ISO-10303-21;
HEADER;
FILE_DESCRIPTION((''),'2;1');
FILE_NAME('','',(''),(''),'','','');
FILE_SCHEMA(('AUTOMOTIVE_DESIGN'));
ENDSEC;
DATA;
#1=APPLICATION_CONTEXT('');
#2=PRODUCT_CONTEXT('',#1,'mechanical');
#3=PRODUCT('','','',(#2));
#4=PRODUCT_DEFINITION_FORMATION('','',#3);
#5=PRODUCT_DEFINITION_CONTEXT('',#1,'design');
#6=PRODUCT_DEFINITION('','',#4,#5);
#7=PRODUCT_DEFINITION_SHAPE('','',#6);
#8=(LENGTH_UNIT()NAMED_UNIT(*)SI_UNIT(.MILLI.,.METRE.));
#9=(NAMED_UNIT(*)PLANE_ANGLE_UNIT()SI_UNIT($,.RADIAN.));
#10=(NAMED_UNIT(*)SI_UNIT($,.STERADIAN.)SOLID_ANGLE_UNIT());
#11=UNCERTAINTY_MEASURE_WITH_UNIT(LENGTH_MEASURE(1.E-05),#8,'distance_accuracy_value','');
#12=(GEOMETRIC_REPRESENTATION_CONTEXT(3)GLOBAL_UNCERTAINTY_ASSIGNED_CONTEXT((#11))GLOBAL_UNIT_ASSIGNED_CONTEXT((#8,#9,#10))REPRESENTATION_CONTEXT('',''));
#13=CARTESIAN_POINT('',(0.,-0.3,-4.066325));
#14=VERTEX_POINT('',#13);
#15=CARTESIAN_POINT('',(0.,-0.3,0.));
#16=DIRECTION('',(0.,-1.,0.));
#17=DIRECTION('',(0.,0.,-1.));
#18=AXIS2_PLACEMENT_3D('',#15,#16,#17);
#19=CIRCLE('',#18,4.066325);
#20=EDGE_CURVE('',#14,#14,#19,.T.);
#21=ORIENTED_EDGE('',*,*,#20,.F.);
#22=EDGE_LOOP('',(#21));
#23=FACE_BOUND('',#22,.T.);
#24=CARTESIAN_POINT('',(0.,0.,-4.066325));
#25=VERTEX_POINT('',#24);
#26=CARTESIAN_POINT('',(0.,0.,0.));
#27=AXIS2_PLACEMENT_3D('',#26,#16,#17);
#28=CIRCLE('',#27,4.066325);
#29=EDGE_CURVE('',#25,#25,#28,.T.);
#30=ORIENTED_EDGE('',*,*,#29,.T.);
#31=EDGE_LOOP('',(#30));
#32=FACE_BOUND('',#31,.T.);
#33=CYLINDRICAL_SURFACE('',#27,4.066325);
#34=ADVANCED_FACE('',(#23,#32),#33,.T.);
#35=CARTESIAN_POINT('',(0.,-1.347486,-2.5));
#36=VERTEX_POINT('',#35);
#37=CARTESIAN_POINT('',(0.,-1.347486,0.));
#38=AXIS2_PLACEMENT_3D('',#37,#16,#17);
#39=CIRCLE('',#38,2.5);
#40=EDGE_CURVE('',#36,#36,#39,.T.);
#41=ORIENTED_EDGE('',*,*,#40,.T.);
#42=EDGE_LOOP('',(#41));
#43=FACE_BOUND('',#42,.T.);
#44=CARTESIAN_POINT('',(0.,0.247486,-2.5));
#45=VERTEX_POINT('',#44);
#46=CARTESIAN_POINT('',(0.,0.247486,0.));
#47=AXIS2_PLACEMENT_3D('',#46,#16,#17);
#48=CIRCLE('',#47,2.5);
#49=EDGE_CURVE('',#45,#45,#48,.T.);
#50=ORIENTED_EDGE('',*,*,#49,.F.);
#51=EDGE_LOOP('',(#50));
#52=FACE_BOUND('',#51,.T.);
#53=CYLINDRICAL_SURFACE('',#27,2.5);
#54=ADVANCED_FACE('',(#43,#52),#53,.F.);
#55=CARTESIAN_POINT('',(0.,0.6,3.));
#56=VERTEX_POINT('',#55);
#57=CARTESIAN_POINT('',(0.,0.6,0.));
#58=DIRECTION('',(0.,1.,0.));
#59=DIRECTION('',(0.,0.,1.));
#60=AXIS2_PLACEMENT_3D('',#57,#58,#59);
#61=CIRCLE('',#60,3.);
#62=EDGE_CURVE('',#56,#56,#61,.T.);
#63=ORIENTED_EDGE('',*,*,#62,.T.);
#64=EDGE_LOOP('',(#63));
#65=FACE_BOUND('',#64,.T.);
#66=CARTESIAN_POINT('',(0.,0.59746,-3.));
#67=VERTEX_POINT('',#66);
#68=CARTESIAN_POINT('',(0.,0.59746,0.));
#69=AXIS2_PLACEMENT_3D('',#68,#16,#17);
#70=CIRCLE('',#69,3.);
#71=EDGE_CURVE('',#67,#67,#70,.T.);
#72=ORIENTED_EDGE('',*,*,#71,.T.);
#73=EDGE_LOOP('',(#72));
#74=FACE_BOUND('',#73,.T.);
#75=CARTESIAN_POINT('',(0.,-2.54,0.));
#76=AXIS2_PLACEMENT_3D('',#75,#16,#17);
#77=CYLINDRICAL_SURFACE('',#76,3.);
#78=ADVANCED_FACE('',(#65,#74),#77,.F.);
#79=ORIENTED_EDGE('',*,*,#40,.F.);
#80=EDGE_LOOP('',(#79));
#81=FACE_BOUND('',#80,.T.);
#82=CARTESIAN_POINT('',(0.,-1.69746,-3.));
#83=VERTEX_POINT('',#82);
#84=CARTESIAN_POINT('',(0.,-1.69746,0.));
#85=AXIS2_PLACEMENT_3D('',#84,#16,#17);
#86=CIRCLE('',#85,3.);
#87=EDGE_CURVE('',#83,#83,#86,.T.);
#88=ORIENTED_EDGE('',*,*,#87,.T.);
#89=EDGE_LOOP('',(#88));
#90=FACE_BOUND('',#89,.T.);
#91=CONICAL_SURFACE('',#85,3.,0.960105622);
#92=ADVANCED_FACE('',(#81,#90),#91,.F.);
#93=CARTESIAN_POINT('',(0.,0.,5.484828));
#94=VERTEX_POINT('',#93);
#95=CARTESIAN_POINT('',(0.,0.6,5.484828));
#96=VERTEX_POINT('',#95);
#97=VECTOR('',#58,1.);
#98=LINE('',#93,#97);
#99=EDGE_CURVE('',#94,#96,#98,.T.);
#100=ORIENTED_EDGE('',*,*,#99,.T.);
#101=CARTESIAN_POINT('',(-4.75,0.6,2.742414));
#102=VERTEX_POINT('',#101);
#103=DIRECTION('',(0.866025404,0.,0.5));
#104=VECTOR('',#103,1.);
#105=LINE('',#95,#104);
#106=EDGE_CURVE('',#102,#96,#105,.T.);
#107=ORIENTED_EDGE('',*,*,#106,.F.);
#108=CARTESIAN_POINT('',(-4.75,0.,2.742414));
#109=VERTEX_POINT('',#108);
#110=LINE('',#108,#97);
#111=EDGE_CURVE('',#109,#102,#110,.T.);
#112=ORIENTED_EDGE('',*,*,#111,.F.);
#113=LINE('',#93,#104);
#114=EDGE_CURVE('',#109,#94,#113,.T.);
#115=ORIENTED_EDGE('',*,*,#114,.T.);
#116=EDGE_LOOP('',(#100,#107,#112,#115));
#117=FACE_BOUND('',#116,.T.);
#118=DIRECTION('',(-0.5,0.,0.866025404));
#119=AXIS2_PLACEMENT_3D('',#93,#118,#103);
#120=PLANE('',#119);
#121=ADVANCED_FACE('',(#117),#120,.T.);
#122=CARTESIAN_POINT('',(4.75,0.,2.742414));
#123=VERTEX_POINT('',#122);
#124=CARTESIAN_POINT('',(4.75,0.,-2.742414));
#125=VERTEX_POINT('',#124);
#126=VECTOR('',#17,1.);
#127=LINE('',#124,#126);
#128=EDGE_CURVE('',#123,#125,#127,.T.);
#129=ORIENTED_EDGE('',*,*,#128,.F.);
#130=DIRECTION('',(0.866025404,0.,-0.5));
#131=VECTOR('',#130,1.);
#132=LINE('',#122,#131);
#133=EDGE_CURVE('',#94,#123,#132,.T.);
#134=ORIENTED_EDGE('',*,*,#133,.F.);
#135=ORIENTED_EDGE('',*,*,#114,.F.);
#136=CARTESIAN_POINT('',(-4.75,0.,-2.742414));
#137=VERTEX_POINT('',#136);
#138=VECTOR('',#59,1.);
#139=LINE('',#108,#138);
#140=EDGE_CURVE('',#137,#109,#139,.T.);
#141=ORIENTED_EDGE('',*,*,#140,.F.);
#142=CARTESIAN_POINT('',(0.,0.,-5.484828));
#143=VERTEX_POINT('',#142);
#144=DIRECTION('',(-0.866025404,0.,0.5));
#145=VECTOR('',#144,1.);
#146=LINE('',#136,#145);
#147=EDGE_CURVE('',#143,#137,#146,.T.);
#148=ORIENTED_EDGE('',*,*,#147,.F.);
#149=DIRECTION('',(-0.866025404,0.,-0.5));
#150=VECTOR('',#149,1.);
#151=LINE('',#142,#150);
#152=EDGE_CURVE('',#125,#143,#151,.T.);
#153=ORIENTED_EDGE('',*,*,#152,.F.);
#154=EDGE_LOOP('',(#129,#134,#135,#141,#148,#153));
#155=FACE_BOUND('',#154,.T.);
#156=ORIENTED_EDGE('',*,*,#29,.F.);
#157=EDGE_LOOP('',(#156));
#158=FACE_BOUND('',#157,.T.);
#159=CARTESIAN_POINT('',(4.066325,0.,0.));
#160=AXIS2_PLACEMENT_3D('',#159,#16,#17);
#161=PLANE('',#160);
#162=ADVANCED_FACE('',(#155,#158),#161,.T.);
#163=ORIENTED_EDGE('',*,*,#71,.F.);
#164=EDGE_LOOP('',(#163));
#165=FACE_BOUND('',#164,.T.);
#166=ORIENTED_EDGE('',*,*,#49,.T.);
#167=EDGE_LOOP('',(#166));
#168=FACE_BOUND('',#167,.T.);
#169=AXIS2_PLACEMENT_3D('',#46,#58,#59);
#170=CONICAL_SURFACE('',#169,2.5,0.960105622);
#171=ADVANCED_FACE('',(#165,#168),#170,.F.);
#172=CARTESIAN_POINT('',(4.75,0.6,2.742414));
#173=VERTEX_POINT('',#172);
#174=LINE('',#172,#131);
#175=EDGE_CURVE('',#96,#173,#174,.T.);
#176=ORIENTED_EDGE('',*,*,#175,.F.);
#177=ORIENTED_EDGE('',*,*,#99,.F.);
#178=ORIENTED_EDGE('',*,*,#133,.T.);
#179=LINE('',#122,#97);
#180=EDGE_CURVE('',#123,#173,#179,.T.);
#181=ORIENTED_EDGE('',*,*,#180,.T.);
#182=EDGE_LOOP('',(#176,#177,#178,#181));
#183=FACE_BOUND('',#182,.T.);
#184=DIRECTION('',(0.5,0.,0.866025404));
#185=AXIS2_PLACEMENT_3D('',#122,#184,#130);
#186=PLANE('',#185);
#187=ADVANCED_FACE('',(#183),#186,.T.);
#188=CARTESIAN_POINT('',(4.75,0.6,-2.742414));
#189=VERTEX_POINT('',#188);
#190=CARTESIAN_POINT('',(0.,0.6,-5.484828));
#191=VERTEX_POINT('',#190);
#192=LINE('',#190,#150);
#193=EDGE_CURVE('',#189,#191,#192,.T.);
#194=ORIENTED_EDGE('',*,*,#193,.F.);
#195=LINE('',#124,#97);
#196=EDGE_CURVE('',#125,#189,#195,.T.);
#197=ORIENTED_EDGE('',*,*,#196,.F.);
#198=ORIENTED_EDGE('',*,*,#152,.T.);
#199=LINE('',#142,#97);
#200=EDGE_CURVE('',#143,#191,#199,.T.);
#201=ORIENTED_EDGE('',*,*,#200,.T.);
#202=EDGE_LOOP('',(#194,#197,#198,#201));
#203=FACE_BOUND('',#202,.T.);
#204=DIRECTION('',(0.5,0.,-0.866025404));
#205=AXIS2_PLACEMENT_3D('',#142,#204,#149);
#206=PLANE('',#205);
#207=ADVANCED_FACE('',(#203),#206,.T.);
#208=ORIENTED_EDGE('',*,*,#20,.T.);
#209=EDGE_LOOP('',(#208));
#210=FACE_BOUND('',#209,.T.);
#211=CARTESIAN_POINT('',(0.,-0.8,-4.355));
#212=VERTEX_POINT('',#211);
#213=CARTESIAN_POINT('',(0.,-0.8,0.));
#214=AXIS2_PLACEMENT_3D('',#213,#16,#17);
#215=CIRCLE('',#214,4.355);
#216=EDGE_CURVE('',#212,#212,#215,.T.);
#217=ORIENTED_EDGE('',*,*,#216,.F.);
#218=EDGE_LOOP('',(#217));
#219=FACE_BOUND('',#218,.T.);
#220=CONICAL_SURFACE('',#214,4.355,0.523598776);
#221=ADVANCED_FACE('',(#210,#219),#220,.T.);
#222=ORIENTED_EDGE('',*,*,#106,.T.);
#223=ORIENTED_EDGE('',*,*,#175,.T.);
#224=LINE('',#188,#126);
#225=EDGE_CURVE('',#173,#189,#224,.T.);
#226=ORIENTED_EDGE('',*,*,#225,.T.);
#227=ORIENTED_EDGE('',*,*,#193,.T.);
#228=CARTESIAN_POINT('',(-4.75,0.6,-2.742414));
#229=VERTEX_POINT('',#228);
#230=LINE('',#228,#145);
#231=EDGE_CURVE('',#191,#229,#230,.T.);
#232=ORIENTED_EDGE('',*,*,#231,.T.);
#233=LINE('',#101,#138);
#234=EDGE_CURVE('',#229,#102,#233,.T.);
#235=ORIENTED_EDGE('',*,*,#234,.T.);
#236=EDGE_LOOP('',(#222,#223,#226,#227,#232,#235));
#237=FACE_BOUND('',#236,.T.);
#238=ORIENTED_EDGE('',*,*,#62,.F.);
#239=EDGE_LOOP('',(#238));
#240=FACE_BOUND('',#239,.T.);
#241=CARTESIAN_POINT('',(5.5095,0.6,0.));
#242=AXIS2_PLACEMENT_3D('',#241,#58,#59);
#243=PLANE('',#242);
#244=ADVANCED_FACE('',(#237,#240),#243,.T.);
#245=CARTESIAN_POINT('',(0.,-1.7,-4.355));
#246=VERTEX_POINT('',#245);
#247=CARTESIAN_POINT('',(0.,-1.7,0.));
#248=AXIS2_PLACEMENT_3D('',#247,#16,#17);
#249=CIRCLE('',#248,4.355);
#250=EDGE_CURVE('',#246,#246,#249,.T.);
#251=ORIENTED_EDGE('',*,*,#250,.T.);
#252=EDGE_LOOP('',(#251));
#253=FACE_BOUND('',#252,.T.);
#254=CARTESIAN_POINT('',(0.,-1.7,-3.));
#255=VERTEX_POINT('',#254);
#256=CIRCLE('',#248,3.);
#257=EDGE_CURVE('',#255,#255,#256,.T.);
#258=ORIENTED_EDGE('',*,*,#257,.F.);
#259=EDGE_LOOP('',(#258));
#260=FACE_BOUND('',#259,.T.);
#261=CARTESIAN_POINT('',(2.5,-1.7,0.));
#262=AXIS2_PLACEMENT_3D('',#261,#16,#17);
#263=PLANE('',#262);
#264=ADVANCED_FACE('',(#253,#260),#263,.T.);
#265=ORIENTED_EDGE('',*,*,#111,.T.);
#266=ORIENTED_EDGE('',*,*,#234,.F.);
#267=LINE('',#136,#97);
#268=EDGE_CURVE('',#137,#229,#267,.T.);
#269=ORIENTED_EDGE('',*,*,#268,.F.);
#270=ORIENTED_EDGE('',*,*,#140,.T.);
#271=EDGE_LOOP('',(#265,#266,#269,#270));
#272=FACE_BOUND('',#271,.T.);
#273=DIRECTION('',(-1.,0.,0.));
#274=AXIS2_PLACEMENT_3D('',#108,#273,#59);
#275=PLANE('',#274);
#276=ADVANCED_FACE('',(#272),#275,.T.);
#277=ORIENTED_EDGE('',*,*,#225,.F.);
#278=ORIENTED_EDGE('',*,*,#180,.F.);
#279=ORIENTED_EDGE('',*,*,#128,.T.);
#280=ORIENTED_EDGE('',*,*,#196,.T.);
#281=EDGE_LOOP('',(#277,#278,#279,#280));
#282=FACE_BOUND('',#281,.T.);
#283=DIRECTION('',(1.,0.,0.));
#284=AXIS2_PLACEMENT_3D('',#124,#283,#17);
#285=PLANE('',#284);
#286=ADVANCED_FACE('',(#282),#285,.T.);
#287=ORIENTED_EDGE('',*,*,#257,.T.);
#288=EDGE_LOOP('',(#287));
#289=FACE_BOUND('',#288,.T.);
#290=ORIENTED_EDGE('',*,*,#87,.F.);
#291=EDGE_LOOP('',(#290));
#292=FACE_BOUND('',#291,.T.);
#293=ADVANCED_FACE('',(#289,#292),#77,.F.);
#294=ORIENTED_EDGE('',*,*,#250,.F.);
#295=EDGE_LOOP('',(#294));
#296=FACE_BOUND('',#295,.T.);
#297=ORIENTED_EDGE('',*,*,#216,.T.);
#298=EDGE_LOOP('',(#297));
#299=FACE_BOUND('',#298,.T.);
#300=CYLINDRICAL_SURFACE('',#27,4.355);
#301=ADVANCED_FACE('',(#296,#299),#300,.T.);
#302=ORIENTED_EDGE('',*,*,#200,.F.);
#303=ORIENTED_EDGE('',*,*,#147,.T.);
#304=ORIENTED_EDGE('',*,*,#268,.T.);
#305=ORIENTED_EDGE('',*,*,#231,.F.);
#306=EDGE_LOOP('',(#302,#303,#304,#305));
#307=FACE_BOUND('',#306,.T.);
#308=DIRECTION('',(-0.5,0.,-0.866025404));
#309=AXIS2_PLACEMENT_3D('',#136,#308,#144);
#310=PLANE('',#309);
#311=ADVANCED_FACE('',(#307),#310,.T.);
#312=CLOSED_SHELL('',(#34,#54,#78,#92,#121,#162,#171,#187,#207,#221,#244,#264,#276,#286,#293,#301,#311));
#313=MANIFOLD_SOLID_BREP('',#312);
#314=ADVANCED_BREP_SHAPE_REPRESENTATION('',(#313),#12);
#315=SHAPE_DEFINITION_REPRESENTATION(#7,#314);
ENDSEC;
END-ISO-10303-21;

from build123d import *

# Parameters (mm, degrees)
HEXDIESKE_R  = 5.5105
HEXDIE_DEPTH = 0.6


with BuildPart() as part:
    # BodySke → Body (revolve)
    with BuildSketch(Plane.XY, mode=Mode.PRIVATE) as body_sk:
        Polygon((4.066324865, 0), (5.5095, 0), (5.5095, 0.6), (2.5, 0.6), (2.5, -1.7), (4.355, -1.7), (4.355, -0.8), (4.066324865, -0.3), align=None)
    revolve(body_sk.sketch.rotate(Axis((0, 0, 0), (0, 1, 0)), 90), axis=Axis((0, 0, 0), (0, 1, 0)))

    # EndChamferSke → EndChamfer (revolve, cut)
    with BuildSketch(Plane.XY, mode=Mode.PRIVATE) as endchamfer_sk:
        Polygon((3, -1.954), (3, -1.69746), (2.5, -1.347486267), (2.5, -1.954), align=None)
        Polygon((3, 0.59746), (2.5, 0.247486267), (2.5, 0.854), (3, 0.854), align=None)
    revolve(endchamfer_sk.sketch.rotate(Axis((0, -2.54, 0), (0, 1, 0)), 90), axis=Axis((0, -2.54, 0), (0, 1, 0)), mode=Mode.SUBTRACT)

    # HexDieSke → HexDie (cut)
    with BuildSketch(Plane(origin=(0, 0.6, 0), x_dir=(-1, 0, 0), z_dir=(0, 1, 0))):
        Circle(HEXDIESKE_R)
        Polygon((0, 5.484827557), (4.75, 2.742413779), (4.75, -2.742413779), (0, -5.484827557), (-4.75, -2.742413779), (-4.75, 2.742413779), align=None, mode=Mode.SUBTRACT)
    extrude(amount=-HEXDIE_DEPTH, mode=Mode.SUBTRACT)


solid = part.part
